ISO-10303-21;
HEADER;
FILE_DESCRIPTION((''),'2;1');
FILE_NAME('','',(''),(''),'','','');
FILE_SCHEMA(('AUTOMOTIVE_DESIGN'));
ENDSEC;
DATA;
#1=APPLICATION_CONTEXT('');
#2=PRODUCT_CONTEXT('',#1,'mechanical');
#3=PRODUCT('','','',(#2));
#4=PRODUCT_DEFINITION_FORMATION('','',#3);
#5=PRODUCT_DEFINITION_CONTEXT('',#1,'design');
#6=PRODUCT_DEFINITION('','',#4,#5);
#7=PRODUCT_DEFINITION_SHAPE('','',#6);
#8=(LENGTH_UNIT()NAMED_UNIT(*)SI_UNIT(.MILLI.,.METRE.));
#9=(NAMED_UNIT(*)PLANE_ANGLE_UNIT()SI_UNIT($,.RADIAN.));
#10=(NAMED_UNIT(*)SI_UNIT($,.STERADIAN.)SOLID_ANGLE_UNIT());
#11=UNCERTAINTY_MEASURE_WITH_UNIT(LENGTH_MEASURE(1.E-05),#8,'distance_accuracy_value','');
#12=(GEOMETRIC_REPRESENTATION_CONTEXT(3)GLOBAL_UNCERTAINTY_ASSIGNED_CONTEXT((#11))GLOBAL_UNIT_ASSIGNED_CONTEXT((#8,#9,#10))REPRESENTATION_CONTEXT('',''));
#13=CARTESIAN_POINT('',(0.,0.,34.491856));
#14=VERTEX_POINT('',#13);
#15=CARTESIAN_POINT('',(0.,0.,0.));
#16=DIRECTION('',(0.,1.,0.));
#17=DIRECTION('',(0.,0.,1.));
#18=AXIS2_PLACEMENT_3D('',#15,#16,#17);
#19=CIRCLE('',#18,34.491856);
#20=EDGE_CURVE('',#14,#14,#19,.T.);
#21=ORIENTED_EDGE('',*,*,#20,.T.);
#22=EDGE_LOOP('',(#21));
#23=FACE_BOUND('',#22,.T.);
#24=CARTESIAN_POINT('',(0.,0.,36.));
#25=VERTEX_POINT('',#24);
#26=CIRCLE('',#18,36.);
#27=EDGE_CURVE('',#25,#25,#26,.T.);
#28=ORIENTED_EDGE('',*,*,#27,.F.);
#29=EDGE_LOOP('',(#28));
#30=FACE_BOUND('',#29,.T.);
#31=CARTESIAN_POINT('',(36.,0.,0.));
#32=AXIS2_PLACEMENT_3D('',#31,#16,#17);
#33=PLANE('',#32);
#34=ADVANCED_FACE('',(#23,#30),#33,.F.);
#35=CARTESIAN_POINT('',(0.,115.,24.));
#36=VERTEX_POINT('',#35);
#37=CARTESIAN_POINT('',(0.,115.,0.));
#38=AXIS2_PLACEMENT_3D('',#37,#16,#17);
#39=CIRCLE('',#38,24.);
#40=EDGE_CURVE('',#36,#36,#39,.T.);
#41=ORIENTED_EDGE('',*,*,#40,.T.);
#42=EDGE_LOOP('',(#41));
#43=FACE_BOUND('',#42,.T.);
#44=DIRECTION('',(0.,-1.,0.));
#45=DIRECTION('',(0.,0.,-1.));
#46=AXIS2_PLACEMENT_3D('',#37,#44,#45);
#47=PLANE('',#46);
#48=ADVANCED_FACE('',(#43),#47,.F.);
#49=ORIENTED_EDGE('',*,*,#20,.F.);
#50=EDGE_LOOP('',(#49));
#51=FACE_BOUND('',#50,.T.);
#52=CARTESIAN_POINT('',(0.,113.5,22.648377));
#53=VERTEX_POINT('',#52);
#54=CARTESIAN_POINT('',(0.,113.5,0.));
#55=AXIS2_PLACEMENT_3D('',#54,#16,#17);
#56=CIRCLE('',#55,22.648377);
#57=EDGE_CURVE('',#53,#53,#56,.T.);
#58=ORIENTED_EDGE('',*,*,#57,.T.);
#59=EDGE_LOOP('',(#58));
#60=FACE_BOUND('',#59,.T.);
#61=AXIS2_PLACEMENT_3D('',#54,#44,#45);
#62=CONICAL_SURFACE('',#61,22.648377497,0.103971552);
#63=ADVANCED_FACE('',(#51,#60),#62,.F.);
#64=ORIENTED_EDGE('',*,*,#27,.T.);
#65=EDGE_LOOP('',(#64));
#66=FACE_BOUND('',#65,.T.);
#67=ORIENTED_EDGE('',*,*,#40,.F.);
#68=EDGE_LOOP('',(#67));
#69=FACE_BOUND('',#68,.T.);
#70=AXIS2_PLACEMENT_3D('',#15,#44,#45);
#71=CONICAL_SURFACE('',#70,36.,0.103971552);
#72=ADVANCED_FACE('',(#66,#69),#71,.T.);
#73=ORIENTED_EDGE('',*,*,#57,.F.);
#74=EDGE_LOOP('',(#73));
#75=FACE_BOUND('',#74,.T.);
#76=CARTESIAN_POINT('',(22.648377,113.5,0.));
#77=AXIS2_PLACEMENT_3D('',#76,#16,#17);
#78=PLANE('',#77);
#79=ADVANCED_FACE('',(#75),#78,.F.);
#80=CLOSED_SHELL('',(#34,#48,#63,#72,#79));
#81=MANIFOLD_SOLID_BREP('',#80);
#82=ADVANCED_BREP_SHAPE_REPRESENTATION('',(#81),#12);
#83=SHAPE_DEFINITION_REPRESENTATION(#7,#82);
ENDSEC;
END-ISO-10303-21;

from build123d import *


with BuildPart() as part:
    # Sketch1 → Revolve1 (revolve)
    with BuildSketch(Plane.XY):
        Polygon((0, 115), (24, 115), (36, 0), (34.491855758, 0), (22.648377497, 113.5), (0, 113.5), align=None)
    revolve(axis=Axis((0, 55, 0), (0, -1, 0)))


solid = part.part
